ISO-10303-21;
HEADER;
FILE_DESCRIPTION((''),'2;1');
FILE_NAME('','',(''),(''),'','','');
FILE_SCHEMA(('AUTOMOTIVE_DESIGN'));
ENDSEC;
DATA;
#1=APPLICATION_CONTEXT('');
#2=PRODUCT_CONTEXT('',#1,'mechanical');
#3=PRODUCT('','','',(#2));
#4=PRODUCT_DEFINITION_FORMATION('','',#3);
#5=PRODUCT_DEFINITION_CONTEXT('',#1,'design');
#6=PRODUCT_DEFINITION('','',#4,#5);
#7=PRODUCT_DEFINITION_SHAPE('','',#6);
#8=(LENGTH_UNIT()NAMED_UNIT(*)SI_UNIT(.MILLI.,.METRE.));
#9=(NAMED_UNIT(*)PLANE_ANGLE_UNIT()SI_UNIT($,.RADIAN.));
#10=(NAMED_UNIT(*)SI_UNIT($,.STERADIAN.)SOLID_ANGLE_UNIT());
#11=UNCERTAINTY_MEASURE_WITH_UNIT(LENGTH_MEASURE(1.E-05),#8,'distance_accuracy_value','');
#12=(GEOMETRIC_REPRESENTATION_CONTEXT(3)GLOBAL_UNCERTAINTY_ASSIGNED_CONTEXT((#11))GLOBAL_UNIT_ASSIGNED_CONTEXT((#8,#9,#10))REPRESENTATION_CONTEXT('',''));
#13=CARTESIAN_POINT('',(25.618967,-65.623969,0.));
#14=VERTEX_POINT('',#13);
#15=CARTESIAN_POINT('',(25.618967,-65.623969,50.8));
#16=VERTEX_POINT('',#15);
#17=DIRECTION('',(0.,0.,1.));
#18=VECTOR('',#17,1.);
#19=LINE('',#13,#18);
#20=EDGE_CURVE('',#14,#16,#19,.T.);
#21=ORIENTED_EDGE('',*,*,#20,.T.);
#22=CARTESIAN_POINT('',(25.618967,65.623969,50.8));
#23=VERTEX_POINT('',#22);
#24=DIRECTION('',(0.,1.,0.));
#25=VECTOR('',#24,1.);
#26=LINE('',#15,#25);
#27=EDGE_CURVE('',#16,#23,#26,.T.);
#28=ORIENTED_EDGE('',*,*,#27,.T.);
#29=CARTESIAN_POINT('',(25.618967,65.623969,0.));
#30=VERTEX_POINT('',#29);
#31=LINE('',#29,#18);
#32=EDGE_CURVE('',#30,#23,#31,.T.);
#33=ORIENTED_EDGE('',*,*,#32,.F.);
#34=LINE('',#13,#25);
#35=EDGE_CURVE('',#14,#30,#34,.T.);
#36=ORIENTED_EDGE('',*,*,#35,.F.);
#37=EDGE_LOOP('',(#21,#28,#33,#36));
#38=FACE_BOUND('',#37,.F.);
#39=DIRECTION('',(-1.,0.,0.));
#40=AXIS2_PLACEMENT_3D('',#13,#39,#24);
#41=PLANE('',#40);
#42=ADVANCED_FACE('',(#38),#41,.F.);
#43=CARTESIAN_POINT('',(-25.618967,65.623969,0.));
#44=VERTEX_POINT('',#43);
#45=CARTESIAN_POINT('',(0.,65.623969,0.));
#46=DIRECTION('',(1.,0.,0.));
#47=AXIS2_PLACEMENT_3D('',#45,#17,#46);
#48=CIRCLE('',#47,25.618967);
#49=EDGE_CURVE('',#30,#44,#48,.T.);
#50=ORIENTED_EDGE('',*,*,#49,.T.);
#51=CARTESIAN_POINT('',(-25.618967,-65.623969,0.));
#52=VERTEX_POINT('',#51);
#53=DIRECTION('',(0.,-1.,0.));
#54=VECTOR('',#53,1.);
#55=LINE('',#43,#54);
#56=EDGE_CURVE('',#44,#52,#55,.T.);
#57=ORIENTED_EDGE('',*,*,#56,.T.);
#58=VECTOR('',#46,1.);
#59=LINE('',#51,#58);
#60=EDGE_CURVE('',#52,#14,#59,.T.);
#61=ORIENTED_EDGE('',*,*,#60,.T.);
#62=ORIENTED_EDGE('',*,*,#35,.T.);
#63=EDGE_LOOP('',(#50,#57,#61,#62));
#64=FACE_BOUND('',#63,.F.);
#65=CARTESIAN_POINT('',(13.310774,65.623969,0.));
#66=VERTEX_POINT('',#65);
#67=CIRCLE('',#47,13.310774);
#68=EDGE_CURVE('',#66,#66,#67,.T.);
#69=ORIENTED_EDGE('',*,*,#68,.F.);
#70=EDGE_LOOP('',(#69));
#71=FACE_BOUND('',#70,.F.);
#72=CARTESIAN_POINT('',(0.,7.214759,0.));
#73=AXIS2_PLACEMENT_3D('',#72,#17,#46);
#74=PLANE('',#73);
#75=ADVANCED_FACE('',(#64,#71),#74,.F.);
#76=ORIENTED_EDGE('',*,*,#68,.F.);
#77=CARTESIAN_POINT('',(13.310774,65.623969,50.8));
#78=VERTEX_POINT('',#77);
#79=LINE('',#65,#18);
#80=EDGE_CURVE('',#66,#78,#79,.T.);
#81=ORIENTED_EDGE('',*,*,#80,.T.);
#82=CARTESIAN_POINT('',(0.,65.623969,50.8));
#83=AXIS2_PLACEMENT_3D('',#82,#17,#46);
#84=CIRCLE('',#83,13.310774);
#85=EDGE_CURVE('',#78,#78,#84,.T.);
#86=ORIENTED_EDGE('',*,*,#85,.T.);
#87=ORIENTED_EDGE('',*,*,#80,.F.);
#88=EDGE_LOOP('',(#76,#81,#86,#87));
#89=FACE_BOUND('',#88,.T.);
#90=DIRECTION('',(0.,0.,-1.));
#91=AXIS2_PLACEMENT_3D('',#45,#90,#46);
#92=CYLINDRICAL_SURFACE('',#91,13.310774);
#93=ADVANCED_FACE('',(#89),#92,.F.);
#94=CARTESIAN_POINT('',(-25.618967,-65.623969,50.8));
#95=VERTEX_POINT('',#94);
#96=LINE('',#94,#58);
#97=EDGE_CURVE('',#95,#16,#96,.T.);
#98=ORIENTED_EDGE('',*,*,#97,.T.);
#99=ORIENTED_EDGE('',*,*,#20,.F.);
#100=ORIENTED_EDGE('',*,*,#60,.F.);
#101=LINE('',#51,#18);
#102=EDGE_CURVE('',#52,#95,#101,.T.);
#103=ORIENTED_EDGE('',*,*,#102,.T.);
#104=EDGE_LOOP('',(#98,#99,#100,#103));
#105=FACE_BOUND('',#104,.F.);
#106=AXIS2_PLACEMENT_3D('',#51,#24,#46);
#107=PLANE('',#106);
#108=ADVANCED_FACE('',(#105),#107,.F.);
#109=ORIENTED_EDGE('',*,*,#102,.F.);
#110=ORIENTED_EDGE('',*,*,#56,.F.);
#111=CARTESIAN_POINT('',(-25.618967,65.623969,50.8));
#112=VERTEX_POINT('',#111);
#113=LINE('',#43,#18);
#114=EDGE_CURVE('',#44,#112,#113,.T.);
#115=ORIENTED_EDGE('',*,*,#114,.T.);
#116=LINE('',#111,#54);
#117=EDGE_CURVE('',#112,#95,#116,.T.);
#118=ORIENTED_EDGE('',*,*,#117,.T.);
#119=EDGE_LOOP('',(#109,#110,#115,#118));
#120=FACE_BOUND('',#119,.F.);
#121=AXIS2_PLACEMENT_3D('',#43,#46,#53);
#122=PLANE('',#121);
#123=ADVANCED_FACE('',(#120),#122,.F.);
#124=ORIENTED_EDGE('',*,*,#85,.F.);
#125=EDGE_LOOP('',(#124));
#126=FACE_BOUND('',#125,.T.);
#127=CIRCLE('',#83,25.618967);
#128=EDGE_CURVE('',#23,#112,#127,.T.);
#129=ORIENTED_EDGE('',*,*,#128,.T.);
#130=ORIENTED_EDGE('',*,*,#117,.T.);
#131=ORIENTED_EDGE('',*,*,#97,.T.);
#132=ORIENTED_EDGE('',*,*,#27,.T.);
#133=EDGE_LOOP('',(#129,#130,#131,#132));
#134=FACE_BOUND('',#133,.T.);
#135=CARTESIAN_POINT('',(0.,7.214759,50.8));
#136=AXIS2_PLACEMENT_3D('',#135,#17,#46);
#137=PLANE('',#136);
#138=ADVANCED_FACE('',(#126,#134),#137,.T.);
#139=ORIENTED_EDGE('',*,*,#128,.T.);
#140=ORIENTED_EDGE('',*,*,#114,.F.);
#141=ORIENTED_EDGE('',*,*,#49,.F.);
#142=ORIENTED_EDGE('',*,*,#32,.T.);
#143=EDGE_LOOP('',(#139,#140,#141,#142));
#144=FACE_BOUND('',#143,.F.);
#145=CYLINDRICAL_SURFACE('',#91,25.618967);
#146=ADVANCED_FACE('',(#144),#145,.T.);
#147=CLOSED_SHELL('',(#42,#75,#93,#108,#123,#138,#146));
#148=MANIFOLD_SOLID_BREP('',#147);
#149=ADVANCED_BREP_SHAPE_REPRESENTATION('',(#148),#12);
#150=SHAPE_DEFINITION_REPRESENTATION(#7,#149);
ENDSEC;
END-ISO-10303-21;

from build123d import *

# Parameters (mm, degrees)
F0_R     = 13.310774
F1_DEPTH = 50.8


with BuildPart() as f1:
    # F0 (on Top) → F1 (new body)
    with BuildSketch(Plane.XY):
        with BuildLine():
            Line((-25.618967, -65.623969), (25.618967, -65.623969))
            Line((25.618967, -65.623969), (25.618967, 65.623969))
            ThreePointArc((25.618967, 65.623969), (0, 91.242936), (-25.618967, 65.623969))
            Line((-25.618967, 65.623969), (-25.618967, -65.623969))
        make_face()
        with Locations((0, 65.623969)):
            Circle(F0_R, mode=Mode.SUBTRACT)
    extrude(amount=F1_DEPTH)


solid = f1.part
